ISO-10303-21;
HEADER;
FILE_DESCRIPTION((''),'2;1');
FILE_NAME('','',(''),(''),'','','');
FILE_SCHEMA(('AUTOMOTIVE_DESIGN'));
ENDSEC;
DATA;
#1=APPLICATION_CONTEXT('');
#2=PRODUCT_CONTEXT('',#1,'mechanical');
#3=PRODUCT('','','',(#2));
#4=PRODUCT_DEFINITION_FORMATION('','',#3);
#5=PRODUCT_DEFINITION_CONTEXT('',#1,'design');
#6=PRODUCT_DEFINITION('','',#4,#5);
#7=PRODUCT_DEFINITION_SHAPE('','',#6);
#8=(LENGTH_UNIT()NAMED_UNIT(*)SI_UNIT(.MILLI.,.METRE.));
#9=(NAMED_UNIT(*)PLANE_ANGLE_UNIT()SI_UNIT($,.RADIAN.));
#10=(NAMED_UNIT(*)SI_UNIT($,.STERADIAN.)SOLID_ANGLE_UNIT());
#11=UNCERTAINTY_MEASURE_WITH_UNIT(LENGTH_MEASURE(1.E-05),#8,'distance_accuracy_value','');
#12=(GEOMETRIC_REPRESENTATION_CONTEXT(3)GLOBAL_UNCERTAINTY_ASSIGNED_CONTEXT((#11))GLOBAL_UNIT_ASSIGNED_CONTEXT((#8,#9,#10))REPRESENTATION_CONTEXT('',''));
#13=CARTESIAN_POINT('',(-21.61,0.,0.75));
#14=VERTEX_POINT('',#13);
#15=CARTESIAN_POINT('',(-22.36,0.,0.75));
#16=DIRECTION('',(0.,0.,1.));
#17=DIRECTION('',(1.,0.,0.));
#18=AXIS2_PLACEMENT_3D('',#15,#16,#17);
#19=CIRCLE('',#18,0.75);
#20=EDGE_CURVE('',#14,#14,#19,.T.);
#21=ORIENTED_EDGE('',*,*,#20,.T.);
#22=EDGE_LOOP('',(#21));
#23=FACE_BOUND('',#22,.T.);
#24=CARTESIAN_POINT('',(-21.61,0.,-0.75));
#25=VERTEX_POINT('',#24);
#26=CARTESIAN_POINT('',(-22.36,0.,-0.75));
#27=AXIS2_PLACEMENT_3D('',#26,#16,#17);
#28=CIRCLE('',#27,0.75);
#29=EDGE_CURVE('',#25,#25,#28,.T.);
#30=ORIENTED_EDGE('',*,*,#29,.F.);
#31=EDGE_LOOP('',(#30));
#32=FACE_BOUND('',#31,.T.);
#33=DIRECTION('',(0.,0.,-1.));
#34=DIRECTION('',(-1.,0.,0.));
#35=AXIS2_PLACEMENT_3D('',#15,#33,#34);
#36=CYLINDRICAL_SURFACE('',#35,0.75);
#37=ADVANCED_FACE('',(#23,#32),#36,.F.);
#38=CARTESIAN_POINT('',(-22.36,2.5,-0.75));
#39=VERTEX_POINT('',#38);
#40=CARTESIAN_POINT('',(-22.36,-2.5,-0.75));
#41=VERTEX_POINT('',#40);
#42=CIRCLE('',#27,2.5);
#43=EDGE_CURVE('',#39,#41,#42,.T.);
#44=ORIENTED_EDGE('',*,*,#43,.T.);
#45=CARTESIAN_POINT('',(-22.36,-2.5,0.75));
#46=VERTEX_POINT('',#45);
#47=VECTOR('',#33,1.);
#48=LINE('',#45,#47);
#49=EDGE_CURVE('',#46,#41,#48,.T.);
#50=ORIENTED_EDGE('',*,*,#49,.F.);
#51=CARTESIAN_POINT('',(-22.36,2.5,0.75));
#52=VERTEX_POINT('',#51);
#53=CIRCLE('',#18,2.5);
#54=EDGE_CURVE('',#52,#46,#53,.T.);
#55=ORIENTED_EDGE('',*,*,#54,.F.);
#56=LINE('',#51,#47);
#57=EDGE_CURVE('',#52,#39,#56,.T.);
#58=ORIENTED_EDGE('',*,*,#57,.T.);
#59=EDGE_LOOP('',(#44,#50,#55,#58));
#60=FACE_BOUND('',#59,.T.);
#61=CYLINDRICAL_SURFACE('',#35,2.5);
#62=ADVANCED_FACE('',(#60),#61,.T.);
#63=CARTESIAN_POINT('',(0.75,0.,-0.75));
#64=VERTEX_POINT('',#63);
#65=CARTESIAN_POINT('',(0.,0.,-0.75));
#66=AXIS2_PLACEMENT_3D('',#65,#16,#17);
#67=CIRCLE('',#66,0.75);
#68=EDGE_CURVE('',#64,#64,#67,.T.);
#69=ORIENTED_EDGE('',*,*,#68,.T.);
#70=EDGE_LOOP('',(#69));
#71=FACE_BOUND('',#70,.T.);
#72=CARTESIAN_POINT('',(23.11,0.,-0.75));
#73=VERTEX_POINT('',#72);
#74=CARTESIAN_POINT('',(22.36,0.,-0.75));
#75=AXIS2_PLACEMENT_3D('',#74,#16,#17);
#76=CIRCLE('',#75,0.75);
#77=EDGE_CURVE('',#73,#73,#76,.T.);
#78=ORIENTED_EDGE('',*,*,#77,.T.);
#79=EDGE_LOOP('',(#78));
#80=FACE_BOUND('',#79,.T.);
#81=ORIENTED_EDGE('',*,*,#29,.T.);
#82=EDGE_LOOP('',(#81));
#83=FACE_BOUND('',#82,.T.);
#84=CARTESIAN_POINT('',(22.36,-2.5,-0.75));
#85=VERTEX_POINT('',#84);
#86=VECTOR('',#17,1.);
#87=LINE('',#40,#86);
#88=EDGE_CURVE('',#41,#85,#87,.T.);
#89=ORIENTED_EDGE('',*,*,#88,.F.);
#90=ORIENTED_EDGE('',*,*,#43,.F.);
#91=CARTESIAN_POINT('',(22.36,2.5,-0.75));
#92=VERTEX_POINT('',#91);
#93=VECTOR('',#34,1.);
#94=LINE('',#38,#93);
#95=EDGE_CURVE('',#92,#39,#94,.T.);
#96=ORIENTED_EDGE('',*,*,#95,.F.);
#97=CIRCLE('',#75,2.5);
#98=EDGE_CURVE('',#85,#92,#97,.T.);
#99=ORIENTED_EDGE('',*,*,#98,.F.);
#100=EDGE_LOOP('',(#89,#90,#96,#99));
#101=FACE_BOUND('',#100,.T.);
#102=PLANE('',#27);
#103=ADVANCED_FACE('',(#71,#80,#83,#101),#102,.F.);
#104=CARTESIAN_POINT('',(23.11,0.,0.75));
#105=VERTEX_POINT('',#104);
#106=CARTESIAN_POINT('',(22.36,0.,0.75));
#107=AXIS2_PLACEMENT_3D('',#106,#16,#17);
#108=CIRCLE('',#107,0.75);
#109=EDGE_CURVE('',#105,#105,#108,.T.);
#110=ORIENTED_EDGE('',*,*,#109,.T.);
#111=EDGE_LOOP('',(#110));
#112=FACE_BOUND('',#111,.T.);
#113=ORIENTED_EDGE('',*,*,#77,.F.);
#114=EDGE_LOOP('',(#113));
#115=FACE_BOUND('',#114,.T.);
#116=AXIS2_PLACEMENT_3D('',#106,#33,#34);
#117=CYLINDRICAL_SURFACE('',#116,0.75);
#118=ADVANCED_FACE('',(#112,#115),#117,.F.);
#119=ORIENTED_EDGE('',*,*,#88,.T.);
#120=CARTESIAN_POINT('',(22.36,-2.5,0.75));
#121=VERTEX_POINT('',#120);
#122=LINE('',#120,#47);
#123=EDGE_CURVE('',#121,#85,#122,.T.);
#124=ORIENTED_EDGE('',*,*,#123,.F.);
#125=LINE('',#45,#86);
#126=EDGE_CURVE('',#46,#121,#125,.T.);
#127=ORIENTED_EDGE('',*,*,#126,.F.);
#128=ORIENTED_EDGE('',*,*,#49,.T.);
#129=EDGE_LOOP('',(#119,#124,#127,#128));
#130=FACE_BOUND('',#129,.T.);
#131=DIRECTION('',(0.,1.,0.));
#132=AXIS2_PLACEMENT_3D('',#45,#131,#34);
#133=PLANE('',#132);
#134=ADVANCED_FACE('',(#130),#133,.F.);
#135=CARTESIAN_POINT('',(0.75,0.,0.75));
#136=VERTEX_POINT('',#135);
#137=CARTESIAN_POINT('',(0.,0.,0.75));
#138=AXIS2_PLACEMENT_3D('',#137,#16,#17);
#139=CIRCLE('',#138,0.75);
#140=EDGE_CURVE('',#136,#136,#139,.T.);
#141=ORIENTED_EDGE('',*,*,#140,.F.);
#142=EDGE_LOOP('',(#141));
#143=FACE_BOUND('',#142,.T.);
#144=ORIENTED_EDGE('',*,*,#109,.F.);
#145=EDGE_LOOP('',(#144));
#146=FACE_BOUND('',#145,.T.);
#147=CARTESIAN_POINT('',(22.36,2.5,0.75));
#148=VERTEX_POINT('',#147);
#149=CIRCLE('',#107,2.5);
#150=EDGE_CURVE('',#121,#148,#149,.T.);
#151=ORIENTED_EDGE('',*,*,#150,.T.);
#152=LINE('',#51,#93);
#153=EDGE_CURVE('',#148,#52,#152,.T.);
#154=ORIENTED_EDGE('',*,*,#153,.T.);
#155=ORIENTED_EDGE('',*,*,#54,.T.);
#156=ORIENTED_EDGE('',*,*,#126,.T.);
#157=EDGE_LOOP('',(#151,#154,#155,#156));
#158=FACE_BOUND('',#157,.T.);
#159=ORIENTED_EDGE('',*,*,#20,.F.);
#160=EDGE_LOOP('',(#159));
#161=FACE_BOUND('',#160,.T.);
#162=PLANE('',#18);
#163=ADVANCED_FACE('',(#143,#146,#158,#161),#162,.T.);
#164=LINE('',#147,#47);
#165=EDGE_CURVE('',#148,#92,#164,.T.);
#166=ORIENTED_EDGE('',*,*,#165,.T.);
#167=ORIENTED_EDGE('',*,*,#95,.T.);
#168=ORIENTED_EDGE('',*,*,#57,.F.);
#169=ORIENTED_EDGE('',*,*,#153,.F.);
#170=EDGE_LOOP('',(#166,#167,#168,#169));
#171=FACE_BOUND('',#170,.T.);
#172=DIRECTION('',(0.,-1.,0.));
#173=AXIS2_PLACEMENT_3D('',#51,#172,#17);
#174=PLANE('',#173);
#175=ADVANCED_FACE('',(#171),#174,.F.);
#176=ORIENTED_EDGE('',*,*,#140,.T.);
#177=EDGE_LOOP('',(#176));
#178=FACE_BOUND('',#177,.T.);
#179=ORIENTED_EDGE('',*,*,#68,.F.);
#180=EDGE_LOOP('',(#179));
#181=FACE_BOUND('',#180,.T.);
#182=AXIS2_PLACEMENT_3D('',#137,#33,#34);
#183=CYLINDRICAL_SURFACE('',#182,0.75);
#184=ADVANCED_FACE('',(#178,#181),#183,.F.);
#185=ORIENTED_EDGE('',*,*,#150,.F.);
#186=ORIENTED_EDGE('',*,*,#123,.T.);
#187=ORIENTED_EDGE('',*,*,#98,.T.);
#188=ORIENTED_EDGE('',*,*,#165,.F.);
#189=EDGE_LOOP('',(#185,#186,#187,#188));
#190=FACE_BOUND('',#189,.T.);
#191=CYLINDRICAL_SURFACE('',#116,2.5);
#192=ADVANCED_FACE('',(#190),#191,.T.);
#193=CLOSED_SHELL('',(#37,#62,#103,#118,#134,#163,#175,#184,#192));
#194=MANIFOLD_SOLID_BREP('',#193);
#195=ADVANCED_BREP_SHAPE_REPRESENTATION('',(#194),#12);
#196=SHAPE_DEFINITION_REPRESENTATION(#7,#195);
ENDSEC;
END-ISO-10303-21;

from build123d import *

# Parameters (mm, degrees)
SKETCH_1_R      = 0.75
EXTRUDE_1_DEPTH = 0.75


with BuildPart() as part:
    # 草圖1 → 填料-伸長1 (new body, symmetric)
    with BuildSketch(Plane.XY):
        with BuildLine():
            Line((-22.36, 2.5), (22.36, 2.5))
            ThreePointArc((22.36, 2.5), (24.86, 0), (22.36, -2.5))
            Line((22.36, -2.5), (-22.36, -2.5))
            ThreePointArc((-22.36, -2.5), (-24.86, 0), (-22.36, 2.5))
        make_face()
        with Locations((22.36, 0)):
            Circle(SKETCH_1_R, mode=Mode.SUBTRACT)
        with Locations((-22.36, 0)):
            Circle(SKETCH_1_R, mode=Mode.SUBTRACT)
        Circle(SKETCH_1_R, mode=Mode.SUBTRACT)
    extrude(amount=EXTRUDE_1_DEPTH, both=True)


solid = part.part
